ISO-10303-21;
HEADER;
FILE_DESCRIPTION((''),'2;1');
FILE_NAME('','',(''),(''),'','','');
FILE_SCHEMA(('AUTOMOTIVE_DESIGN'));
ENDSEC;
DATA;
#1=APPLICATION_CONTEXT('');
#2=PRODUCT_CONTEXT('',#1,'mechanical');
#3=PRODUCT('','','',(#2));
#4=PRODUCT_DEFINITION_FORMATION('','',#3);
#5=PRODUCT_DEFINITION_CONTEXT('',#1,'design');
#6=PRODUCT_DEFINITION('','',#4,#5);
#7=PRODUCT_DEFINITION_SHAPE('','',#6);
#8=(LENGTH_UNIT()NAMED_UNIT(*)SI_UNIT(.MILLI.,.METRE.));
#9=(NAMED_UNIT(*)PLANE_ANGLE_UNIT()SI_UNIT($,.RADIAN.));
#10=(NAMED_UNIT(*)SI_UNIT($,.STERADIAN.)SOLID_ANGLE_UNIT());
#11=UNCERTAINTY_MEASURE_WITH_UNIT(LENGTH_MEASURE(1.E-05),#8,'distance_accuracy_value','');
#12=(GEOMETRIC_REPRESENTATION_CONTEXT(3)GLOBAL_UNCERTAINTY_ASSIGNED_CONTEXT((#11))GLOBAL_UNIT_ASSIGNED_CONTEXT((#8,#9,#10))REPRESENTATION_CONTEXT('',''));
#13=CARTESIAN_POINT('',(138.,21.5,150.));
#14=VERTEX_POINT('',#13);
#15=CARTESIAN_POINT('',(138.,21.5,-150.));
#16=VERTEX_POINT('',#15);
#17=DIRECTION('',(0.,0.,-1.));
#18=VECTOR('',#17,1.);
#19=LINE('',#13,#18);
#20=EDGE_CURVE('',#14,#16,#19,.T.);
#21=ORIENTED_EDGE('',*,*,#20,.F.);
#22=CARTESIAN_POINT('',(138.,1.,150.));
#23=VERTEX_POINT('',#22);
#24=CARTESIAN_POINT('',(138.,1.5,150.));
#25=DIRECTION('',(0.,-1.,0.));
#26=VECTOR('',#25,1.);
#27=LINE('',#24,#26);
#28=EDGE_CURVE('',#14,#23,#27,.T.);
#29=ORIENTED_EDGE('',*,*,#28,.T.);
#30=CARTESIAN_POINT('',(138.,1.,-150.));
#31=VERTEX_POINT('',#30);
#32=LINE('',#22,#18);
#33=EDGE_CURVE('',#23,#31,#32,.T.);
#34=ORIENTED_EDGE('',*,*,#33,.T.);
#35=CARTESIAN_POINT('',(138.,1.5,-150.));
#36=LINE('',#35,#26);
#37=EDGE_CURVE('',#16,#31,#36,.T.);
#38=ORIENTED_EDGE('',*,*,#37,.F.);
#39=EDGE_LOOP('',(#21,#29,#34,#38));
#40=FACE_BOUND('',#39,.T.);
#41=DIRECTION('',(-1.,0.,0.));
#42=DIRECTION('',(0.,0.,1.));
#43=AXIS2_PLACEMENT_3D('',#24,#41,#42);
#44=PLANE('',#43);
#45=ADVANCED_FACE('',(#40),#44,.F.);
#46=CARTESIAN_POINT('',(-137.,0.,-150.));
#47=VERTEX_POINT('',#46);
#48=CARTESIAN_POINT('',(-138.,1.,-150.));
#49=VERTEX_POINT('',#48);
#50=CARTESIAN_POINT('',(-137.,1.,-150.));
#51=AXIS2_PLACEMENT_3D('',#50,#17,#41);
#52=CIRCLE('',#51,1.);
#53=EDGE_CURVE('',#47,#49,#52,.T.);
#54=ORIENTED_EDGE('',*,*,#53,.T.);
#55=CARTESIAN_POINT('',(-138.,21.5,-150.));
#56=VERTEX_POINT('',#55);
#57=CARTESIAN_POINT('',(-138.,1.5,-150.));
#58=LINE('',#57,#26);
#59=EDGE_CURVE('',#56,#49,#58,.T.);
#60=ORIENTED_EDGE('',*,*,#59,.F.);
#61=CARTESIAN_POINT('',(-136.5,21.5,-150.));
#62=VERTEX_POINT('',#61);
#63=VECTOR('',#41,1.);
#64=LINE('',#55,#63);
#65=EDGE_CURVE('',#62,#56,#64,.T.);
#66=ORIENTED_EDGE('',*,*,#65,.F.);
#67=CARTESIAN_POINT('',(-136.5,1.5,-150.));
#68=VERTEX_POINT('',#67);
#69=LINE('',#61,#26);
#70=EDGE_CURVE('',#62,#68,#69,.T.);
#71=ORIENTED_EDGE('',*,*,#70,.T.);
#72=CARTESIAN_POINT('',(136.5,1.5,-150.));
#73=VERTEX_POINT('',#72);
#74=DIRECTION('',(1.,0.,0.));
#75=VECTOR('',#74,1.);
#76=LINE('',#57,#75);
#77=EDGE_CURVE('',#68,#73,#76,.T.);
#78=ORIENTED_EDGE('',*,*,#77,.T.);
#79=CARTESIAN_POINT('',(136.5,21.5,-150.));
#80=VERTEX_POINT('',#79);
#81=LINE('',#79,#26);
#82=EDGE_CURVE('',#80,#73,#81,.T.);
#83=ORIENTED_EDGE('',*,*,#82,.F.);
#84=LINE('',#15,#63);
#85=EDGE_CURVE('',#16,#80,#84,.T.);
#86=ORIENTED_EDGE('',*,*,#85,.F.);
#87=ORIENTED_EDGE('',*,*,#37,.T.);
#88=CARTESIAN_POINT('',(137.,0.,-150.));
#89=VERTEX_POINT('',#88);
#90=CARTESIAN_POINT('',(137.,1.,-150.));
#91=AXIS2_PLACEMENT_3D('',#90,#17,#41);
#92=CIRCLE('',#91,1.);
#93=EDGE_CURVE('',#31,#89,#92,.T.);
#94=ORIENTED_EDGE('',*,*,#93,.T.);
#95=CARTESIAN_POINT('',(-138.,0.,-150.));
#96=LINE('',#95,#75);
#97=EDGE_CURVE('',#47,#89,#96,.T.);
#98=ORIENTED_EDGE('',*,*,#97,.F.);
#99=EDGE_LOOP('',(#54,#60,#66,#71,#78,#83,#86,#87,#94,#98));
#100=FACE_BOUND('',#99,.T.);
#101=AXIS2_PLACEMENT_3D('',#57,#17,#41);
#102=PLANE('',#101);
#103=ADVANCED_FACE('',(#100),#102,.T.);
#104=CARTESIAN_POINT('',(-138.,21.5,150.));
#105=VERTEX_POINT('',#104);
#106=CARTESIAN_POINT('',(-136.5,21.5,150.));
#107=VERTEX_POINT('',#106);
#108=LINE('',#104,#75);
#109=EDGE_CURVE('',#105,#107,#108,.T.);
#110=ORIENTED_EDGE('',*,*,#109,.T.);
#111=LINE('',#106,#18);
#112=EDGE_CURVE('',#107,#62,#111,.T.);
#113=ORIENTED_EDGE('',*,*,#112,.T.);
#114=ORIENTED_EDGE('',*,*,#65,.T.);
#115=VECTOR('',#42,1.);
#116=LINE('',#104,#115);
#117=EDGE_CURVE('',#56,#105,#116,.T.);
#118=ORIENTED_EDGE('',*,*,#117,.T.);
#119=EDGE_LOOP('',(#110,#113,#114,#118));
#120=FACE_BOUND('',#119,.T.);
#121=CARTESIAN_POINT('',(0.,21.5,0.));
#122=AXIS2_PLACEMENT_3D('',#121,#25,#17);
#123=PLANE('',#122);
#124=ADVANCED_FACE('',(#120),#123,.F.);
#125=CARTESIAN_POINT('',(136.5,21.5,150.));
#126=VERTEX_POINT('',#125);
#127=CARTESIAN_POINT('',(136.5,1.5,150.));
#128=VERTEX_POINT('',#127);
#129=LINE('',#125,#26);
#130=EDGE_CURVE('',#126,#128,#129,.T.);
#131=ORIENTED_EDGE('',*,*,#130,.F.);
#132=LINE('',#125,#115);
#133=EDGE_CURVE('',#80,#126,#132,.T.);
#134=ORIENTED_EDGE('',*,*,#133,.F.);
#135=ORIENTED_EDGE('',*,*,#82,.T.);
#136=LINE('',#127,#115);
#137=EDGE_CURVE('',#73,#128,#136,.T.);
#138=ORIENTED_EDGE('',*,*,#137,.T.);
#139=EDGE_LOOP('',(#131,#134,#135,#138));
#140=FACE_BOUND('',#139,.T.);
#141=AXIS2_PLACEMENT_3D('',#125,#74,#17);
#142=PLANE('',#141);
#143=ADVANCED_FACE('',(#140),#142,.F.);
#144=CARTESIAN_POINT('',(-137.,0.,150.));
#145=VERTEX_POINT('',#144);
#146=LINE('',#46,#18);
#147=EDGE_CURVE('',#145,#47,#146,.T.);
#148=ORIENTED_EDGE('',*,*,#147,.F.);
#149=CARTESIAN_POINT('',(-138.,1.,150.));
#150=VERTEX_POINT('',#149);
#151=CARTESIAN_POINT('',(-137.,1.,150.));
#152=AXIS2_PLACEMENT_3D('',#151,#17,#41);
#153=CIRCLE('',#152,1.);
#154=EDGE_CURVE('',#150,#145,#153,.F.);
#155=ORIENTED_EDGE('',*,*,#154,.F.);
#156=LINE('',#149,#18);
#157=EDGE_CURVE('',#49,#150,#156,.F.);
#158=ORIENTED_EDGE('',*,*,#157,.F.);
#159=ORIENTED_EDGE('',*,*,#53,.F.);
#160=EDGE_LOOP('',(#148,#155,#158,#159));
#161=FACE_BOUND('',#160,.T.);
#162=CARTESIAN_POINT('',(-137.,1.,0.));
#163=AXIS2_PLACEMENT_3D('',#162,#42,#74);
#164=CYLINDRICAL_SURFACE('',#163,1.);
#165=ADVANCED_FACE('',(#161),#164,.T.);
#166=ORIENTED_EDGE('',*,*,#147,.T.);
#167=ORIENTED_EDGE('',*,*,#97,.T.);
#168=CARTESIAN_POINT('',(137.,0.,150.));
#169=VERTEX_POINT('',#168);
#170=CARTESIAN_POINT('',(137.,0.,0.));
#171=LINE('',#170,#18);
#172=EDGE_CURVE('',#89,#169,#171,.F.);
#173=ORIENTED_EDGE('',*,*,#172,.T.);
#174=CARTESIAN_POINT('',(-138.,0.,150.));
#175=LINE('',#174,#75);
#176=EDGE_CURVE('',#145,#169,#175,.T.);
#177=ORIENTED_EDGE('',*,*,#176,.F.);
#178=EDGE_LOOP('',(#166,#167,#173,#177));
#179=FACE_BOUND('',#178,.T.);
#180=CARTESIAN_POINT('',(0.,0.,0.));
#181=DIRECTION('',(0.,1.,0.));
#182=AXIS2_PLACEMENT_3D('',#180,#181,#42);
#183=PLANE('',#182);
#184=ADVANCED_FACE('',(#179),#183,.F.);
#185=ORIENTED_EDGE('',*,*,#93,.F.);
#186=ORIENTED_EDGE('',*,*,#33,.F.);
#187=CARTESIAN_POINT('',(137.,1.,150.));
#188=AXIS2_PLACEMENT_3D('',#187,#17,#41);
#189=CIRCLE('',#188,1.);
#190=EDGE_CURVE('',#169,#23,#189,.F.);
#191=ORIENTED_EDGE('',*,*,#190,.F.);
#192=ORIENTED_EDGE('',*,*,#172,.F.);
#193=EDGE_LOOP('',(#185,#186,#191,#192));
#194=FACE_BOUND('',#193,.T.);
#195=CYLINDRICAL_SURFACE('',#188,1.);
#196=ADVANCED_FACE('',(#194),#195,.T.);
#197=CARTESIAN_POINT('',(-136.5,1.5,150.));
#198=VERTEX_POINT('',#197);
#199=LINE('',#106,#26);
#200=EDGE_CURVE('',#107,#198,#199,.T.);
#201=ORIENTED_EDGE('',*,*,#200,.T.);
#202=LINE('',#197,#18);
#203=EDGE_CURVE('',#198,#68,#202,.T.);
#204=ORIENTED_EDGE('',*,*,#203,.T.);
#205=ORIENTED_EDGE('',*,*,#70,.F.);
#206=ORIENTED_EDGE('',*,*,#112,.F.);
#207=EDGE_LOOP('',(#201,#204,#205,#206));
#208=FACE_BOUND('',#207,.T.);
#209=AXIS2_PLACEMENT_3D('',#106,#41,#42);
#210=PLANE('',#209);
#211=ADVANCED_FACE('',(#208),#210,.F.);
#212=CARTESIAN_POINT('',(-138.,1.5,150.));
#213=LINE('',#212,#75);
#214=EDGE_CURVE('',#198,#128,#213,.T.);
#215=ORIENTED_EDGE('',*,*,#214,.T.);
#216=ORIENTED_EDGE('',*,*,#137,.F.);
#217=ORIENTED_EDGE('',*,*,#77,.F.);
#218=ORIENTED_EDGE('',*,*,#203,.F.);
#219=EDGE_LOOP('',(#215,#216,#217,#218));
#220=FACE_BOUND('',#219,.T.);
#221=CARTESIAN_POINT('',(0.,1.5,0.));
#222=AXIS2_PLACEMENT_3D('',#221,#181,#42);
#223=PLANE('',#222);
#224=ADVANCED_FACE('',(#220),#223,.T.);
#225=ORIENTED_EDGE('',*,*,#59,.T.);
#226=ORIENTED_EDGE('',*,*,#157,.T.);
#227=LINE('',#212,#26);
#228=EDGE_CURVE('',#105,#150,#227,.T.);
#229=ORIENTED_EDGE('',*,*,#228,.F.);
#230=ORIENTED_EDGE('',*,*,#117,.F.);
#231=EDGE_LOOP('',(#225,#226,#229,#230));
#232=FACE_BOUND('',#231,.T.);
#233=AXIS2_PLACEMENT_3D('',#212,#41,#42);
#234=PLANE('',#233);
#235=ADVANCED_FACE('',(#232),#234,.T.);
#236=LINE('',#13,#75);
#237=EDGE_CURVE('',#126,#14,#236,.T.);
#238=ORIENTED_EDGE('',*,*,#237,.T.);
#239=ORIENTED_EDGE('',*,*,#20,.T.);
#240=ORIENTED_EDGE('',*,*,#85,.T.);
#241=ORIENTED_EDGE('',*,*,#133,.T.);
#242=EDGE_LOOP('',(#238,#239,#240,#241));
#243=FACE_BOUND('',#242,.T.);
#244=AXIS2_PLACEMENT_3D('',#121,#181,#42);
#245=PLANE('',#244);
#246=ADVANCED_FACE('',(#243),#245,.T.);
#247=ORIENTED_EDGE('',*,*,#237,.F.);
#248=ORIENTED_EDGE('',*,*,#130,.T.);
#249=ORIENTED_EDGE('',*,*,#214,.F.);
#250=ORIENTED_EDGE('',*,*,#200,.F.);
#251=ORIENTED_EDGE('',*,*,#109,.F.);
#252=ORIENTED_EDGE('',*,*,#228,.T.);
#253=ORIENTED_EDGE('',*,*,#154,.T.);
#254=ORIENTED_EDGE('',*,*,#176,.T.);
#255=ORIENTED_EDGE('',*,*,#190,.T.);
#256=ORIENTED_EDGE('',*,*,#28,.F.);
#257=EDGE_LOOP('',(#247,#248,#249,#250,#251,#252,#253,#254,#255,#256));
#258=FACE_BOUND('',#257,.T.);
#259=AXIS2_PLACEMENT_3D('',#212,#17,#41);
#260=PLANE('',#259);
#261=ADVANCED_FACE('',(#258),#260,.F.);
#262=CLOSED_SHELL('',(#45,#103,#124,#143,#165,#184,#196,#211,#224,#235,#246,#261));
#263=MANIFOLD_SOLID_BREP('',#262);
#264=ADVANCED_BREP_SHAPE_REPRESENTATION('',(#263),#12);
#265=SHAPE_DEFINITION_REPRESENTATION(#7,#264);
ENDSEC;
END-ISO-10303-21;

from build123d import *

# Parameters (mm, degrees)
SKETCH1_W           = 276
SKETCH1_H           = 300
BOSS_EXTRUDE1_DEPTH = 1.5
SKETCH2_W           = 1.5
SKETCH2_H           = 300
BOSS_EXTRUDE2_DEPTH = 20
FILLET1_R           = 1


with BuildPart() as part:
    # Sketch1 → Boss-Extrude1 (new body)
    with BuildSketch(Plane(origin=(0, 0, 0), x_dir=(1, 0, 0), z_dir=(0, 1, 0))):
        Rectangle(SKETCH1_W, SKETCH1_H)
    extrude(amount=BOSS_EXTRUDE1_DEPTH)

    # Sketch2 → Boss-Extrude2 (add)
    with BuildSketch(Plane(origin=(0, 1.5, 0), x_dir=(1, 0, 0), z_dir=(0, 1, 0))):
        with Locations((-137.25, 0)):
            Rectangle(SKETCH2_W, SKETCH2_H)
        with Locations((137.25, 0)):
            Rectangle(SKETCH2_W, SKETCH2_H)
    extrude(amount=BOSS_EXTRUDE2_DEPTH)

    # Fillet1
    fillet1_edges = [part.edges().sort_by_distance(p)[0] for p in [
        (-138, 0, 0),
        (138, 0, 0),
    ]]
    fillet(fillet1_edges, radius=FILLET1_R)


solid = part.part
